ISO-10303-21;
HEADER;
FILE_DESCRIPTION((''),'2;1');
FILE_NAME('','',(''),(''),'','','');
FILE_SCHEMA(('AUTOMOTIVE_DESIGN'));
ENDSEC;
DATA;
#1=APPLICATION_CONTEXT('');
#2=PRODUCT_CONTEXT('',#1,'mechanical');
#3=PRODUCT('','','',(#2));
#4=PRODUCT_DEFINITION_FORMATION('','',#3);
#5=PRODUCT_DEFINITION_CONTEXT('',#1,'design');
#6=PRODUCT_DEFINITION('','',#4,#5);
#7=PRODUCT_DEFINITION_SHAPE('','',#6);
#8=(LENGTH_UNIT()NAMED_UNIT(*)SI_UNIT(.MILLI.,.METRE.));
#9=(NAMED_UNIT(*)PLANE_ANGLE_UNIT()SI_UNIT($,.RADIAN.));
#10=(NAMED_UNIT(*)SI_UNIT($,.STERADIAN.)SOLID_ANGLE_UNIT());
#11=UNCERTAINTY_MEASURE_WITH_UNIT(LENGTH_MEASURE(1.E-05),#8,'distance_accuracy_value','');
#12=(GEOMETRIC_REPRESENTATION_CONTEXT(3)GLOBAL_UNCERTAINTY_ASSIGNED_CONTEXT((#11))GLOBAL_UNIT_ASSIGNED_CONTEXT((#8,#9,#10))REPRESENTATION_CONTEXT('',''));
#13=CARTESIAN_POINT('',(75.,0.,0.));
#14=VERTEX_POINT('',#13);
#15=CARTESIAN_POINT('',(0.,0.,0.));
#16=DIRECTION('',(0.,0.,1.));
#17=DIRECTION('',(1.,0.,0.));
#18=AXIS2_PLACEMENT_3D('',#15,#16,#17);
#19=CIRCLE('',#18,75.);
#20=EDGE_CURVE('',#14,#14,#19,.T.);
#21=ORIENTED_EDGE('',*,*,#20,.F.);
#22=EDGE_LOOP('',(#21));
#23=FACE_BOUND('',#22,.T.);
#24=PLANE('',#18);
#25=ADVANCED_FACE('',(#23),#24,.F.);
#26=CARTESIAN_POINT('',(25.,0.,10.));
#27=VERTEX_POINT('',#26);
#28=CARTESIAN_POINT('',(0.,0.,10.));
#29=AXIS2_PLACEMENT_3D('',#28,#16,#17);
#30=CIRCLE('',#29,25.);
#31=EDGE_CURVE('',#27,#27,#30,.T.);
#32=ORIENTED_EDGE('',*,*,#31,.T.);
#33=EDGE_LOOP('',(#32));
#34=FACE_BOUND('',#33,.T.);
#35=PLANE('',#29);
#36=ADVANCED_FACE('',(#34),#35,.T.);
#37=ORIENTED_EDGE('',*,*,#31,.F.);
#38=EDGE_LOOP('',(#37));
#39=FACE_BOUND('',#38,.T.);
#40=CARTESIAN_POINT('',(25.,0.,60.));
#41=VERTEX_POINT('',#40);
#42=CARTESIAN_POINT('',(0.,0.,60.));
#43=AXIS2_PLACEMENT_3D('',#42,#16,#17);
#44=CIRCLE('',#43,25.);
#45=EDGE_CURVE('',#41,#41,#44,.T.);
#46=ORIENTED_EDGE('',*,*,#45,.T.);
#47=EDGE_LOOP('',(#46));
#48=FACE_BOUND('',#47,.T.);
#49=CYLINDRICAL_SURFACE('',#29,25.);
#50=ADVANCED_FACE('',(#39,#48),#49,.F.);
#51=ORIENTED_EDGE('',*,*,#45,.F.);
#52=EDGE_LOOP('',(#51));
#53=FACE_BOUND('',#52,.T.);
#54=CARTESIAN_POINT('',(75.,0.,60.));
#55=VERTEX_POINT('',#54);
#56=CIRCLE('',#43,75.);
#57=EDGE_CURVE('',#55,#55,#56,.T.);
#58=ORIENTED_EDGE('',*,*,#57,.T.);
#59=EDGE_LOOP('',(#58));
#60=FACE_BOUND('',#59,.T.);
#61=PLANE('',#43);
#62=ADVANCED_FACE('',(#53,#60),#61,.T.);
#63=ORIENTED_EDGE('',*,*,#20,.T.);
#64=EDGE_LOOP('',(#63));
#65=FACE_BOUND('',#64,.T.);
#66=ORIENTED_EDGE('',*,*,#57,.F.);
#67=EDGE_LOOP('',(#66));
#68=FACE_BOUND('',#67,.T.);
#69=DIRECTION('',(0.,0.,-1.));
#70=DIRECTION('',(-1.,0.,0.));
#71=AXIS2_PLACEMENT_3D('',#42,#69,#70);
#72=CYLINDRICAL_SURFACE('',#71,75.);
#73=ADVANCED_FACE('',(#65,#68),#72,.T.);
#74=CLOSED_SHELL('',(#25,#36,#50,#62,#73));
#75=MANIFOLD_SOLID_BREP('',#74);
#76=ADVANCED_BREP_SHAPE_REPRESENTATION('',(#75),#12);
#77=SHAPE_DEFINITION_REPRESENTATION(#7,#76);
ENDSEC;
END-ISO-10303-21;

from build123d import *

# Parameters (mm, degrees)
SKETCH1_R           = 75
BOSS_EXTRUDE1_DEPTH = 60
SKETCH2_R           = 25
CUT_EXTRUDE1_DEPTH  = 50


with BuildPart() as part:
    # Sketch1 → Boss-Extrude1 (new body)
    with BuildSketch(Plane.XY):
        Circle(SKETCH1_R)
    extrude(amount=BOSS_EXTRUDE1_DEPTH)

    # Sketch2 → Cut-Extrude1 (cut)
    with BuildSketch(Plane.XY.offset(60)):
        Circle(SKETCH2_R)
    extrude(amount=-CUT_EXTRUDE1_DEPTH, mode=Mode.SUBTRACT)


solid = part.part
